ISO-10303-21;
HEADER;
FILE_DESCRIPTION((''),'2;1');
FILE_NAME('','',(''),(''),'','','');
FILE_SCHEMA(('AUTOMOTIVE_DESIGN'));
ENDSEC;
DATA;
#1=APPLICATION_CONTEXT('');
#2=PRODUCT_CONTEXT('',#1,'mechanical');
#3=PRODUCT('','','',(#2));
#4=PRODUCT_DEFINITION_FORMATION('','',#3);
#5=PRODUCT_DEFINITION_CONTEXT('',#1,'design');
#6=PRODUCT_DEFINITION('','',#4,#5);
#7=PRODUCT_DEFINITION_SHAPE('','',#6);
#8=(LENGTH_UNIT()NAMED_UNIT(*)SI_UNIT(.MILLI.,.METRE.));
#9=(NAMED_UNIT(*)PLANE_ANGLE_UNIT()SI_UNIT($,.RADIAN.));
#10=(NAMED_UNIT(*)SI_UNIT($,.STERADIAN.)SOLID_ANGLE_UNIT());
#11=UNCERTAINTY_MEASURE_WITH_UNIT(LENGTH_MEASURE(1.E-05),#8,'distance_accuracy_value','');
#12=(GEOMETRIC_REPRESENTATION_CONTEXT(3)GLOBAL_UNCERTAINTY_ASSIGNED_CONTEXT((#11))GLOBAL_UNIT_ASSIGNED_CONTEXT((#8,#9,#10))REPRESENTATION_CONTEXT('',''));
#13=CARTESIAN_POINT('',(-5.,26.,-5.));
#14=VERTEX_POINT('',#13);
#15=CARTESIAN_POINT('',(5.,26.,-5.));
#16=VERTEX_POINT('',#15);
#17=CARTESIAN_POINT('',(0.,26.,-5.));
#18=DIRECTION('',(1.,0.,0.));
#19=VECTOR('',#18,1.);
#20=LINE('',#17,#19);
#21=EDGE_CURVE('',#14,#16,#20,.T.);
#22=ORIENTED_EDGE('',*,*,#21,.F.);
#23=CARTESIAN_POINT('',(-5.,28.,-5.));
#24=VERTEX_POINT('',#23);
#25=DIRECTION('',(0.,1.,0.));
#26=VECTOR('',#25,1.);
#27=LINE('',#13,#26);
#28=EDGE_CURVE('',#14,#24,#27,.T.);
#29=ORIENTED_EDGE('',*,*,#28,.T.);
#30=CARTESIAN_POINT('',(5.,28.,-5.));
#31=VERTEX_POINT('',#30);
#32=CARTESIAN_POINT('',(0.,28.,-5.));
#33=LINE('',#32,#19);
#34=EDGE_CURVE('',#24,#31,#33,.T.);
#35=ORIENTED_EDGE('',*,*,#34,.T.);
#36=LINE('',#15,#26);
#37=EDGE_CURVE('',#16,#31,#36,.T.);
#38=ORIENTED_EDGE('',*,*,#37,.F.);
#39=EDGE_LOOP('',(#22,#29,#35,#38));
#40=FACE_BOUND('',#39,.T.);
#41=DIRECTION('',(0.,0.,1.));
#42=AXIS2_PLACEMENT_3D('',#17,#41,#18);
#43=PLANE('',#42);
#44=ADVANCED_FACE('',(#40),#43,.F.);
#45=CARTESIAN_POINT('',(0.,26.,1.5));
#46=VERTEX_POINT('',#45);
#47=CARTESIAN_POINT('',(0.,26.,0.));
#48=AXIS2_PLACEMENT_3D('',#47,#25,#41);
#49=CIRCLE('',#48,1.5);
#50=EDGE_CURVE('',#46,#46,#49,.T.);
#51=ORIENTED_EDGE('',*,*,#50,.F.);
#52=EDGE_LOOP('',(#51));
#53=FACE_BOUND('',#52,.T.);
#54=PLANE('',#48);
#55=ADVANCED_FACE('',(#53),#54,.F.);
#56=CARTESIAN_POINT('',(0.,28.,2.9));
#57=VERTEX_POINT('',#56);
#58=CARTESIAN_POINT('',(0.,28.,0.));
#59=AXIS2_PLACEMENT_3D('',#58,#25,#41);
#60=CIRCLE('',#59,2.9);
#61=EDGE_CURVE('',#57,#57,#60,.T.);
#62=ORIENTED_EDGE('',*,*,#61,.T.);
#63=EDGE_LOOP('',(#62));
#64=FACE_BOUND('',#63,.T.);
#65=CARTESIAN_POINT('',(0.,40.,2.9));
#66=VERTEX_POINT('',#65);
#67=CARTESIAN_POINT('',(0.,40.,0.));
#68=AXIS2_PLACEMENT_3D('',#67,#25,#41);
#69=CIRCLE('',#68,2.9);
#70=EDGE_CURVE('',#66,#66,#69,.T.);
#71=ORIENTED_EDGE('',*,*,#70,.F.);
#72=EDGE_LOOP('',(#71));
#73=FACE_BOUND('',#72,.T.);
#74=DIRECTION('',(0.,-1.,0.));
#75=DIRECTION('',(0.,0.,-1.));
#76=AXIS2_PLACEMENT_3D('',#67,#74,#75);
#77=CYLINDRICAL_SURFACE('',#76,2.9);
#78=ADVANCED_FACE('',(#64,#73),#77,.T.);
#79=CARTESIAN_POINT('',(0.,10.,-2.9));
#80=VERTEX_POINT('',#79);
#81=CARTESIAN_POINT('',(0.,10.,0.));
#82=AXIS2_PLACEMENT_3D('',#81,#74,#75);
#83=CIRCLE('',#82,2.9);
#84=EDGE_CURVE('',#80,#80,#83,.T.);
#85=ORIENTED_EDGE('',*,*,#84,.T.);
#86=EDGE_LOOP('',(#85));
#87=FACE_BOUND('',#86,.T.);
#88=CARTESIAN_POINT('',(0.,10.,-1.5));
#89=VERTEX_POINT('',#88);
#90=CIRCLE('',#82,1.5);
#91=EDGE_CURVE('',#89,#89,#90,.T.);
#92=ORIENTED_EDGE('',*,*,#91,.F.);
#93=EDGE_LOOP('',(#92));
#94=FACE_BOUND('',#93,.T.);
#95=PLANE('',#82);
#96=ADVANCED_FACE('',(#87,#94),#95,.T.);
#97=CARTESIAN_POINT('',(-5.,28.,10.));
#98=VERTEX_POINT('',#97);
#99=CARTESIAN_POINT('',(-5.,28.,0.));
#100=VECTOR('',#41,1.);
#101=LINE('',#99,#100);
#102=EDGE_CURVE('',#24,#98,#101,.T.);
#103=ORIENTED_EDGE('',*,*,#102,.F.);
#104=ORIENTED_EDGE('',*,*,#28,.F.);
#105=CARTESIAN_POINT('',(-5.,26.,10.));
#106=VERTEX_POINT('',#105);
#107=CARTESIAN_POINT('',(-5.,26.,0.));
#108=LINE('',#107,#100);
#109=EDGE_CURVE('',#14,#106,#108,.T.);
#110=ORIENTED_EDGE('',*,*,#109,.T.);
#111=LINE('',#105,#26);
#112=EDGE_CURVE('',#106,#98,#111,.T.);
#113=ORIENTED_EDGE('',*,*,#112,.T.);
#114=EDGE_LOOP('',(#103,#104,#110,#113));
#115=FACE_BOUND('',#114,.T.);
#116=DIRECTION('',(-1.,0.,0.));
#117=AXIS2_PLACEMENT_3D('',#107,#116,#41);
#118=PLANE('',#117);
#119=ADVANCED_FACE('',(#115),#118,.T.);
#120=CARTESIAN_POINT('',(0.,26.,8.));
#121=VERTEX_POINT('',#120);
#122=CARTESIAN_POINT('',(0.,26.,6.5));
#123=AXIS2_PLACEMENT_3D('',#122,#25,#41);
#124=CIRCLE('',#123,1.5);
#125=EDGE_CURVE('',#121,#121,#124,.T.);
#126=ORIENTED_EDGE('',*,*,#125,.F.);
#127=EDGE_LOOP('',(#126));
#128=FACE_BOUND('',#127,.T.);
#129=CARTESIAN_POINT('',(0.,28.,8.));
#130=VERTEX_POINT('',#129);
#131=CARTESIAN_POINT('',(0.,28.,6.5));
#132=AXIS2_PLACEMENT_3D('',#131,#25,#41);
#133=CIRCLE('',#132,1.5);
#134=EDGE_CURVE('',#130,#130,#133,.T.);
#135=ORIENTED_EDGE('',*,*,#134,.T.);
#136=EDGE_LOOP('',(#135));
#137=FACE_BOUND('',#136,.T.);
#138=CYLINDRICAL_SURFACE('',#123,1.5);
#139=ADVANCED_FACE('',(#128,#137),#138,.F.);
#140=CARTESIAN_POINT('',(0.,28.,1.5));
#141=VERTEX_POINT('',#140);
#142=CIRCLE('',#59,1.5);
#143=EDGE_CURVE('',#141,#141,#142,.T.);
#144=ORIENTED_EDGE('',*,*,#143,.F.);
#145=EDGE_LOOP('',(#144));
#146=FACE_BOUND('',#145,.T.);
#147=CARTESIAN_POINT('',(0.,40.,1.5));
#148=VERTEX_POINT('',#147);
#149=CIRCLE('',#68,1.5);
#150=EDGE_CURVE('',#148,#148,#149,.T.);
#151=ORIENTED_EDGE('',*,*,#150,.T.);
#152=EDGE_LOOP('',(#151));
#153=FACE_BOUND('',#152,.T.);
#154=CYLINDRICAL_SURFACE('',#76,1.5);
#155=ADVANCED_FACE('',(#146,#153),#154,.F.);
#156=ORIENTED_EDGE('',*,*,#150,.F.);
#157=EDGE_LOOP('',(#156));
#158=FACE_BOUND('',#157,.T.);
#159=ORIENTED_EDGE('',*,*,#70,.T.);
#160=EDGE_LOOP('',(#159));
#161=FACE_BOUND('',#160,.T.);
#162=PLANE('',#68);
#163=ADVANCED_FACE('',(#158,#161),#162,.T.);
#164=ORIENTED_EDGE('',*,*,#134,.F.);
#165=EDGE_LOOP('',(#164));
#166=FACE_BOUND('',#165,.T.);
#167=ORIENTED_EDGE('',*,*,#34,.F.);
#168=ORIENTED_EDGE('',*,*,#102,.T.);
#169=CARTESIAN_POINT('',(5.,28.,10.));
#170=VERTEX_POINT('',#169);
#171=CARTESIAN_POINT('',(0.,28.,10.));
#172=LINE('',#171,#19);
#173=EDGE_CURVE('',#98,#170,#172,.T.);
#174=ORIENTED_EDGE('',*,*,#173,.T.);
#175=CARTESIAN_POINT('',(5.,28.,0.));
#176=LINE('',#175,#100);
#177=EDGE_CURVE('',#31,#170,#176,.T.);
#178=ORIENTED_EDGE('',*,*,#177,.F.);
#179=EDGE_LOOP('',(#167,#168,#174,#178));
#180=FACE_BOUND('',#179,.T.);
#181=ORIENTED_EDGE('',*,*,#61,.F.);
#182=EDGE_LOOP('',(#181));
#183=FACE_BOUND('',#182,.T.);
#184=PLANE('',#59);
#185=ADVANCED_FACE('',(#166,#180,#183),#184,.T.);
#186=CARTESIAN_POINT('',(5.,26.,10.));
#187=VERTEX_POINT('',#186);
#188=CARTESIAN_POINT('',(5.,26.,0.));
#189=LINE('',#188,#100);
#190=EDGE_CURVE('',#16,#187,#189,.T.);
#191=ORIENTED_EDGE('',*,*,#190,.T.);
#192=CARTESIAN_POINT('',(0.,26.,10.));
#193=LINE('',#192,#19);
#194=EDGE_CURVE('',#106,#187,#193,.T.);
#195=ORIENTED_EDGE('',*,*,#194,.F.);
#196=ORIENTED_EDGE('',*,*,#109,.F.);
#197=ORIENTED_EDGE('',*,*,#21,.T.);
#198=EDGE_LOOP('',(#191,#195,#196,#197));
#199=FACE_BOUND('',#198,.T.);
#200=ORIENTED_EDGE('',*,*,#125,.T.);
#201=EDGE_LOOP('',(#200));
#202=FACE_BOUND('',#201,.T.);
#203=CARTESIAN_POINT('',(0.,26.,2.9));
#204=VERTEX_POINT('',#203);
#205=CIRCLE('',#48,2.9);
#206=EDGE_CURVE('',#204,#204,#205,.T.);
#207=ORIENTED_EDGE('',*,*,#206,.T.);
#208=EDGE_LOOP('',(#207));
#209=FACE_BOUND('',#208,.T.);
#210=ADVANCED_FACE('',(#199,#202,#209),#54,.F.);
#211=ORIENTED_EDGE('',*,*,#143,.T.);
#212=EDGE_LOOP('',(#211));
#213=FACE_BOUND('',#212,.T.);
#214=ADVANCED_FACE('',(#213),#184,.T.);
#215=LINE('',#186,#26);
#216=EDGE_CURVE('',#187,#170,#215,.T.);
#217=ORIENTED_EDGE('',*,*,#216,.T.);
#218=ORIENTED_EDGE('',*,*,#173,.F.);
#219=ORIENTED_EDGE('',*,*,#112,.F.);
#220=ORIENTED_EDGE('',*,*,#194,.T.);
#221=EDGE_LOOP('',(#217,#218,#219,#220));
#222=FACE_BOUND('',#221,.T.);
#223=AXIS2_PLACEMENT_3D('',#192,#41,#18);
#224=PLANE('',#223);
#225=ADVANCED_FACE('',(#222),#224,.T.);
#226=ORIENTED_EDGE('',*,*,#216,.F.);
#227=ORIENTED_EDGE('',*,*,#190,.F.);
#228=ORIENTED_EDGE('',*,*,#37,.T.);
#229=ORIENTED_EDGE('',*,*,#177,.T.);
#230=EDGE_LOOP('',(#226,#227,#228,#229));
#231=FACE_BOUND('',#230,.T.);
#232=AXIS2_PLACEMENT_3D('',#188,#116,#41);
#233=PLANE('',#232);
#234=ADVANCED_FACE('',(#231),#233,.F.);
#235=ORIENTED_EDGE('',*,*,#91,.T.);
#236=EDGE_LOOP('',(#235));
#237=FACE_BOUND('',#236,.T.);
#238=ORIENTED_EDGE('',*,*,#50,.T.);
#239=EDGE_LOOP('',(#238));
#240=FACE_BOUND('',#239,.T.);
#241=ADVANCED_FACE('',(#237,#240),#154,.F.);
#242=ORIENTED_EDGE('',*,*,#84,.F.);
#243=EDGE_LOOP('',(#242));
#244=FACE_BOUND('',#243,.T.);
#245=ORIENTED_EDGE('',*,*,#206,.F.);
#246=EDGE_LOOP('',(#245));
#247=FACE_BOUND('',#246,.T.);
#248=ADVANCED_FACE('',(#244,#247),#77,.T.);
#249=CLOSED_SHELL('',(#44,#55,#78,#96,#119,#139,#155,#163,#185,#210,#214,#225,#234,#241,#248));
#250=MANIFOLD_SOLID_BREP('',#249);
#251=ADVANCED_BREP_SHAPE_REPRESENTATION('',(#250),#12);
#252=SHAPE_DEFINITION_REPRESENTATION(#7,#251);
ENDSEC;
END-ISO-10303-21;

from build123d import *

# Parameters (mm, degrees)
SKETCH_1_R          = 2.9
SKETCH_1_R_2        = 1.5
EXTRUDE_1_DEPTH     = 40
SKETCH_2_W          = 10
SKETCH_2_H          = 15
SKETCH_2_R          = 1.5
EXTRUDE_2_DEPTH     = 2
SKETCH_3_R          = 2.9
CUT_EXTRUDE_1_DEPTH = 33.015621187


with BuildPart() as part:
    # 草图1 → 凸台-拉伸1 (new body)
    with BuildSketch(Plane(origin=(0, 0, 0), x_dir=(1, 0, 0), z_dir=(0, 1, 0))):
        with Locations(Location((0, 0, 0), (0, 0, 270))):
            Circle(SKETCH_1_R)
        with Locations(Location((0, 0, 0), (0, 0, 270))):
            Circle(SKETCH_1_R_2, mode=Mode.SUBTRACT)
    extrude(amount=EXTRUDE_1_DEPTH)

    # 草图2 → 凸台-拉伸2 (add)
    with BuildSketch(Plane(origin=(0, 28, 0), x_dir=(1, 0, 0), z_dir=(0, 1, 0))):
        with Locations((0, -2.5)):
            Rectangle(SKETCH_2_W, SKETCH_2_H)
        with Locations(Location((0, -6.5, 0), (0, 0, 270))):
            Circle(SKETCH_2_R, mode=Mode.SUBTRACT)
    extrude(amount=-EXTRUDE_2_DEPTH)

    # 草图3 → 切除-拉伸1 (cut, through all)
    with BuildSketch(Plane(origin=(0, 10, 0), x_dir=(-1, 0, 0), z_dir=(0, -1, 0))):
        with Locations(Location((0, 0, 0), (0, 0, 90))):
            Circle(SKETCH_3_R)
    extrude(amount=CUT_EXTRUDE_1_DEPTH, mode=Mode.SUBTRACT)


solid = part.part
